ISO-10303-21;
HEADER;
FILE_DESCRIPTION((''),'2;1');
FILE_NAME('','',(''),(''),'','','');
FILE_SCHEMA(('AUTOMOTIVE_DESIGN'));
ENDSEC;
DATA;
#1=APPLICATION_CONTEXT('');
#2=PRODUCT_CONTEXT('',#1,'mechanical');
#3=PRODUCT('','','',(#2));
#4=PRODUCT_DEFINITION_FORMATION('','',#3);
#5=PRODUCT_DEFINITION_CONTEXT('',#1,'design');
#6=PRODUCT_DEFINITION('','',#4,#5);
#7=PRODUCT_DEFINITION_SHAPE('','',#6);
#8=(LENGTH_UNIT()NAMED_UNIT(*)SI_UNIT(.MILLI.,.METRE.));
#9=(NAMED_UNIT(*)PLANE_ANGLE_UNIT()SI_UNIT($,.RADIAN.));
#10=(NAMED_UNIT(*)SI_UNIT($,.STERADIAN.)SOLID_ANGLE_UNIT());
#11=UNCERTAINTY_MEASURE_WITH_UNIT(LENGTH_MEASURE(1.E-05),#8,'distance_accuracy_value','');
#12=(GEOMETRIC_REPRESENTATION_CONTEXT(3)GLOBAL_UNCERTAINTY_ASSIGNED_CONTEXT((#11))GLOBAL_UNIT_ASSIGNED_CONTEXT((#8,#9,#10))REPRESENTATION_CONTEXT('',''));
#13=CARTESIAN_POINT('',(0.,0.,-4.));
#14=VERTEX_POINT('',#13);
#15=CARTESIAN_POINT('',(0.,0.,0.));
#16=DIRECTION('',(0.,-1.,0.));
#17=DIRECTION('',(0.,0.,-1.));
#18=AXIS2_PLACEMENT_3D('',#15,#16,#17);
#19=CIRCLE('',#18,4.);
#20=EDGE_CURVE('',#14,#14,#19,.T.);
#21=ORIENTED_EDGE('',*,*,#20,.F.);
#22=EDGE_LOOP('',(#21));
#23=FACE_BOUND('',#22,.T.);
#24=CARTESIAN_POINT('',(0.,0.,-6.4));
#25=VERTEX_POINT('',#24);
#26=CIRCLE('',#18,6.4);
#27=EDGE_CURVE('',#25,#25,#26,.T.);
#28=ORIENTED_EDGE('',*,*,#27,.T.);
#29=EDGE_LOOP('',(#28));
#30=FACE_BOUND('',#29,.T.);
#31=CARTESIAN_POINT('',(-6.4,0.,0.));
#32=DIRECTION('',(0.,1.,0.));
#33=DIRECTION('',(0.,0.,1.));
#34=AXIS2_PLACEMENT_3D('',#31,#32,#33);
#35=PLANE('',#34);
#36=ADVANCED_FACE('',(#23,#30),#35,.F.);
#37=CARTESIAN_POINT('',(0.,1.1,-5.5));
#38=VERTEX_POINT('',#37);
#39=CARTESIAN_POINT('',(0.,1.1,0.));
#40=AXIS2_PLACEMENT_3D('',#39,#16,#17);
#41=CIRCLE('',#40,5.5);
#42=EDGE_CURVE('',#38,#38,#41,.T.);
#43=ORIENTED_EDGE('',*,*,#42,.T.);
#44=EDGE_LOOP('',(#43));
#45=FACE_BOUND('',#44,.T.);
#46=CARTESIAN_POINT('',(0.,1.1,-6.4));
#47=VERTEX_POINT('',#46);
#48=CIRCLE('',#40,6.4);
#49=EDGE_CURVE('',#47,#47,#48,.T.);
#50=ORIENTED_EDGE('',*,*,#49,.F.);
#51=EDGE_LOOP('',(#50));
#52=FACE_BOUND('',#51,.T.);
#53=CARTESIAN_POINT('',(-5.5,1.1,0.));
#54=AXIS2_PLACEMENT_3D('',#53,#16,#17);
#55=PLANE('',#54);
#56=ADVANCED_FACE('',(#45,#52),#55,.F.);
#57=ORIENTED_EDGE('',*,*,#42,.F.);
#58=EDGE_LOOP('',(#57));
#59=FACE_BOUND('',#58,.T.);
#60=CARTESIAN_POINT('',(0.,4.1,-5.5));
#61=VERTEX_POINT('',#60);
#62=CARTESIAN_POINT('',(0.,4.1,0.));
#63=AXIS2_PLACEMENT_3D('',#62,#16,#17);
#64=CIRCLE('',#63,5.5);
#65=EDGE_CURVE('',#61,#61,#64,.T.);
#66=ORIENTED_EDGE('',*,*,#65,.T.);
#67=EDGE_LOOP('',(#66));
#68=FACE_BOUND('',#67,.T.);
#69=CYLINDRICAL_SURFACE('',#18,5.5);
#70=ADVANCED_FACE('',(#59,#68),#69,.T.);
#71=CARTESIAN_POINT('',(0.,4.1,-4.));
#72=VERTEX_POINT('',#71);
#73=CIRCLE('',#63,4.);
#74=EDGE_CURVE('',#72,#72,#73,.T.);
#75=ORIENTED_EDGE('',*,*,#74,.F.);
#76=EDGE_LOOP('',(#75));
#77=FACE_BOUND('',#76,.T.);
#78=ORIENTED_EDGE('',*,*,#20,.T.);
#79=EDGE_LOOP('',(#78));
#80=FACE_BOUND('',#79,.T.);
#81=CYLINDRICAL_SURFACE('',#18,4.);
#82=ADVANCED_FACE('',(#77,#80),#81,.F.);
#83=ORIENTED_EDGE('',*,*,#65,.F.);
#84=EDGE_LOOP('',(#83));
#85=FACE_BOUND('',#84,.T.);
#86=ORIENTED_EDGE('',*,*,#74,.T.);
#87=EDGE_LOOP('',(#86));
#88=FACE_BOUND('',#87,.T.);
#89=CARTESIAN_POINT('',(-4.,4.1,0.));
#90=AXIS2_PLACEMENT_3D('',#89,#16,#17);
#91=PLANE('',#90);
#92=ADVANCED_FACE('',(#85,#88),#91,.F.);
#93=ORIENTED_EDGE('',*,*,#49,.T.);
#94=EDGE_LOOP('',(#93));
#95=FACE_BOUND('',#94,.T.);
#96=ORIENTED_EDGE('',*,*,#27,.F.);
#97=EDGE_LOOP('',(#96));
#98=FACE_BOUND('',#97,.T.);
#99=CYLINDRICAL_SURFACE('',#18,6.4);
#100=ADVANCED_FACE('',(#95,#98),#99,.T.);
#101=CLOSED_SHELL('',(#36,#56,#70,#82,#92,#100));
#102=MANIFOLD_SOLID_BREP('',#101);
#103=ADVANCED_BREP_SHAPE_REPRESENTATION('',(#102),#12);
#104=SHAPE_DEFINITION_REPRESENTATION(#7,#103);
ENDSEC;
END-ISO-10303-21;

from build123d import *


with BuildPart() as part:
    # Sketch1 → Revolve1 (revolve)
    with BuildSketch(Plane.XY):
        Polygon((-6.4, 0), (-4, 0), (-4, 4.1), (-5.5, 4.1), (-5.5, 1.1), (-6.4, 1.1), align=None)
    revolve(axis=Axis((0, 0, 0), (0, 1, 0)))


solid = part.part
